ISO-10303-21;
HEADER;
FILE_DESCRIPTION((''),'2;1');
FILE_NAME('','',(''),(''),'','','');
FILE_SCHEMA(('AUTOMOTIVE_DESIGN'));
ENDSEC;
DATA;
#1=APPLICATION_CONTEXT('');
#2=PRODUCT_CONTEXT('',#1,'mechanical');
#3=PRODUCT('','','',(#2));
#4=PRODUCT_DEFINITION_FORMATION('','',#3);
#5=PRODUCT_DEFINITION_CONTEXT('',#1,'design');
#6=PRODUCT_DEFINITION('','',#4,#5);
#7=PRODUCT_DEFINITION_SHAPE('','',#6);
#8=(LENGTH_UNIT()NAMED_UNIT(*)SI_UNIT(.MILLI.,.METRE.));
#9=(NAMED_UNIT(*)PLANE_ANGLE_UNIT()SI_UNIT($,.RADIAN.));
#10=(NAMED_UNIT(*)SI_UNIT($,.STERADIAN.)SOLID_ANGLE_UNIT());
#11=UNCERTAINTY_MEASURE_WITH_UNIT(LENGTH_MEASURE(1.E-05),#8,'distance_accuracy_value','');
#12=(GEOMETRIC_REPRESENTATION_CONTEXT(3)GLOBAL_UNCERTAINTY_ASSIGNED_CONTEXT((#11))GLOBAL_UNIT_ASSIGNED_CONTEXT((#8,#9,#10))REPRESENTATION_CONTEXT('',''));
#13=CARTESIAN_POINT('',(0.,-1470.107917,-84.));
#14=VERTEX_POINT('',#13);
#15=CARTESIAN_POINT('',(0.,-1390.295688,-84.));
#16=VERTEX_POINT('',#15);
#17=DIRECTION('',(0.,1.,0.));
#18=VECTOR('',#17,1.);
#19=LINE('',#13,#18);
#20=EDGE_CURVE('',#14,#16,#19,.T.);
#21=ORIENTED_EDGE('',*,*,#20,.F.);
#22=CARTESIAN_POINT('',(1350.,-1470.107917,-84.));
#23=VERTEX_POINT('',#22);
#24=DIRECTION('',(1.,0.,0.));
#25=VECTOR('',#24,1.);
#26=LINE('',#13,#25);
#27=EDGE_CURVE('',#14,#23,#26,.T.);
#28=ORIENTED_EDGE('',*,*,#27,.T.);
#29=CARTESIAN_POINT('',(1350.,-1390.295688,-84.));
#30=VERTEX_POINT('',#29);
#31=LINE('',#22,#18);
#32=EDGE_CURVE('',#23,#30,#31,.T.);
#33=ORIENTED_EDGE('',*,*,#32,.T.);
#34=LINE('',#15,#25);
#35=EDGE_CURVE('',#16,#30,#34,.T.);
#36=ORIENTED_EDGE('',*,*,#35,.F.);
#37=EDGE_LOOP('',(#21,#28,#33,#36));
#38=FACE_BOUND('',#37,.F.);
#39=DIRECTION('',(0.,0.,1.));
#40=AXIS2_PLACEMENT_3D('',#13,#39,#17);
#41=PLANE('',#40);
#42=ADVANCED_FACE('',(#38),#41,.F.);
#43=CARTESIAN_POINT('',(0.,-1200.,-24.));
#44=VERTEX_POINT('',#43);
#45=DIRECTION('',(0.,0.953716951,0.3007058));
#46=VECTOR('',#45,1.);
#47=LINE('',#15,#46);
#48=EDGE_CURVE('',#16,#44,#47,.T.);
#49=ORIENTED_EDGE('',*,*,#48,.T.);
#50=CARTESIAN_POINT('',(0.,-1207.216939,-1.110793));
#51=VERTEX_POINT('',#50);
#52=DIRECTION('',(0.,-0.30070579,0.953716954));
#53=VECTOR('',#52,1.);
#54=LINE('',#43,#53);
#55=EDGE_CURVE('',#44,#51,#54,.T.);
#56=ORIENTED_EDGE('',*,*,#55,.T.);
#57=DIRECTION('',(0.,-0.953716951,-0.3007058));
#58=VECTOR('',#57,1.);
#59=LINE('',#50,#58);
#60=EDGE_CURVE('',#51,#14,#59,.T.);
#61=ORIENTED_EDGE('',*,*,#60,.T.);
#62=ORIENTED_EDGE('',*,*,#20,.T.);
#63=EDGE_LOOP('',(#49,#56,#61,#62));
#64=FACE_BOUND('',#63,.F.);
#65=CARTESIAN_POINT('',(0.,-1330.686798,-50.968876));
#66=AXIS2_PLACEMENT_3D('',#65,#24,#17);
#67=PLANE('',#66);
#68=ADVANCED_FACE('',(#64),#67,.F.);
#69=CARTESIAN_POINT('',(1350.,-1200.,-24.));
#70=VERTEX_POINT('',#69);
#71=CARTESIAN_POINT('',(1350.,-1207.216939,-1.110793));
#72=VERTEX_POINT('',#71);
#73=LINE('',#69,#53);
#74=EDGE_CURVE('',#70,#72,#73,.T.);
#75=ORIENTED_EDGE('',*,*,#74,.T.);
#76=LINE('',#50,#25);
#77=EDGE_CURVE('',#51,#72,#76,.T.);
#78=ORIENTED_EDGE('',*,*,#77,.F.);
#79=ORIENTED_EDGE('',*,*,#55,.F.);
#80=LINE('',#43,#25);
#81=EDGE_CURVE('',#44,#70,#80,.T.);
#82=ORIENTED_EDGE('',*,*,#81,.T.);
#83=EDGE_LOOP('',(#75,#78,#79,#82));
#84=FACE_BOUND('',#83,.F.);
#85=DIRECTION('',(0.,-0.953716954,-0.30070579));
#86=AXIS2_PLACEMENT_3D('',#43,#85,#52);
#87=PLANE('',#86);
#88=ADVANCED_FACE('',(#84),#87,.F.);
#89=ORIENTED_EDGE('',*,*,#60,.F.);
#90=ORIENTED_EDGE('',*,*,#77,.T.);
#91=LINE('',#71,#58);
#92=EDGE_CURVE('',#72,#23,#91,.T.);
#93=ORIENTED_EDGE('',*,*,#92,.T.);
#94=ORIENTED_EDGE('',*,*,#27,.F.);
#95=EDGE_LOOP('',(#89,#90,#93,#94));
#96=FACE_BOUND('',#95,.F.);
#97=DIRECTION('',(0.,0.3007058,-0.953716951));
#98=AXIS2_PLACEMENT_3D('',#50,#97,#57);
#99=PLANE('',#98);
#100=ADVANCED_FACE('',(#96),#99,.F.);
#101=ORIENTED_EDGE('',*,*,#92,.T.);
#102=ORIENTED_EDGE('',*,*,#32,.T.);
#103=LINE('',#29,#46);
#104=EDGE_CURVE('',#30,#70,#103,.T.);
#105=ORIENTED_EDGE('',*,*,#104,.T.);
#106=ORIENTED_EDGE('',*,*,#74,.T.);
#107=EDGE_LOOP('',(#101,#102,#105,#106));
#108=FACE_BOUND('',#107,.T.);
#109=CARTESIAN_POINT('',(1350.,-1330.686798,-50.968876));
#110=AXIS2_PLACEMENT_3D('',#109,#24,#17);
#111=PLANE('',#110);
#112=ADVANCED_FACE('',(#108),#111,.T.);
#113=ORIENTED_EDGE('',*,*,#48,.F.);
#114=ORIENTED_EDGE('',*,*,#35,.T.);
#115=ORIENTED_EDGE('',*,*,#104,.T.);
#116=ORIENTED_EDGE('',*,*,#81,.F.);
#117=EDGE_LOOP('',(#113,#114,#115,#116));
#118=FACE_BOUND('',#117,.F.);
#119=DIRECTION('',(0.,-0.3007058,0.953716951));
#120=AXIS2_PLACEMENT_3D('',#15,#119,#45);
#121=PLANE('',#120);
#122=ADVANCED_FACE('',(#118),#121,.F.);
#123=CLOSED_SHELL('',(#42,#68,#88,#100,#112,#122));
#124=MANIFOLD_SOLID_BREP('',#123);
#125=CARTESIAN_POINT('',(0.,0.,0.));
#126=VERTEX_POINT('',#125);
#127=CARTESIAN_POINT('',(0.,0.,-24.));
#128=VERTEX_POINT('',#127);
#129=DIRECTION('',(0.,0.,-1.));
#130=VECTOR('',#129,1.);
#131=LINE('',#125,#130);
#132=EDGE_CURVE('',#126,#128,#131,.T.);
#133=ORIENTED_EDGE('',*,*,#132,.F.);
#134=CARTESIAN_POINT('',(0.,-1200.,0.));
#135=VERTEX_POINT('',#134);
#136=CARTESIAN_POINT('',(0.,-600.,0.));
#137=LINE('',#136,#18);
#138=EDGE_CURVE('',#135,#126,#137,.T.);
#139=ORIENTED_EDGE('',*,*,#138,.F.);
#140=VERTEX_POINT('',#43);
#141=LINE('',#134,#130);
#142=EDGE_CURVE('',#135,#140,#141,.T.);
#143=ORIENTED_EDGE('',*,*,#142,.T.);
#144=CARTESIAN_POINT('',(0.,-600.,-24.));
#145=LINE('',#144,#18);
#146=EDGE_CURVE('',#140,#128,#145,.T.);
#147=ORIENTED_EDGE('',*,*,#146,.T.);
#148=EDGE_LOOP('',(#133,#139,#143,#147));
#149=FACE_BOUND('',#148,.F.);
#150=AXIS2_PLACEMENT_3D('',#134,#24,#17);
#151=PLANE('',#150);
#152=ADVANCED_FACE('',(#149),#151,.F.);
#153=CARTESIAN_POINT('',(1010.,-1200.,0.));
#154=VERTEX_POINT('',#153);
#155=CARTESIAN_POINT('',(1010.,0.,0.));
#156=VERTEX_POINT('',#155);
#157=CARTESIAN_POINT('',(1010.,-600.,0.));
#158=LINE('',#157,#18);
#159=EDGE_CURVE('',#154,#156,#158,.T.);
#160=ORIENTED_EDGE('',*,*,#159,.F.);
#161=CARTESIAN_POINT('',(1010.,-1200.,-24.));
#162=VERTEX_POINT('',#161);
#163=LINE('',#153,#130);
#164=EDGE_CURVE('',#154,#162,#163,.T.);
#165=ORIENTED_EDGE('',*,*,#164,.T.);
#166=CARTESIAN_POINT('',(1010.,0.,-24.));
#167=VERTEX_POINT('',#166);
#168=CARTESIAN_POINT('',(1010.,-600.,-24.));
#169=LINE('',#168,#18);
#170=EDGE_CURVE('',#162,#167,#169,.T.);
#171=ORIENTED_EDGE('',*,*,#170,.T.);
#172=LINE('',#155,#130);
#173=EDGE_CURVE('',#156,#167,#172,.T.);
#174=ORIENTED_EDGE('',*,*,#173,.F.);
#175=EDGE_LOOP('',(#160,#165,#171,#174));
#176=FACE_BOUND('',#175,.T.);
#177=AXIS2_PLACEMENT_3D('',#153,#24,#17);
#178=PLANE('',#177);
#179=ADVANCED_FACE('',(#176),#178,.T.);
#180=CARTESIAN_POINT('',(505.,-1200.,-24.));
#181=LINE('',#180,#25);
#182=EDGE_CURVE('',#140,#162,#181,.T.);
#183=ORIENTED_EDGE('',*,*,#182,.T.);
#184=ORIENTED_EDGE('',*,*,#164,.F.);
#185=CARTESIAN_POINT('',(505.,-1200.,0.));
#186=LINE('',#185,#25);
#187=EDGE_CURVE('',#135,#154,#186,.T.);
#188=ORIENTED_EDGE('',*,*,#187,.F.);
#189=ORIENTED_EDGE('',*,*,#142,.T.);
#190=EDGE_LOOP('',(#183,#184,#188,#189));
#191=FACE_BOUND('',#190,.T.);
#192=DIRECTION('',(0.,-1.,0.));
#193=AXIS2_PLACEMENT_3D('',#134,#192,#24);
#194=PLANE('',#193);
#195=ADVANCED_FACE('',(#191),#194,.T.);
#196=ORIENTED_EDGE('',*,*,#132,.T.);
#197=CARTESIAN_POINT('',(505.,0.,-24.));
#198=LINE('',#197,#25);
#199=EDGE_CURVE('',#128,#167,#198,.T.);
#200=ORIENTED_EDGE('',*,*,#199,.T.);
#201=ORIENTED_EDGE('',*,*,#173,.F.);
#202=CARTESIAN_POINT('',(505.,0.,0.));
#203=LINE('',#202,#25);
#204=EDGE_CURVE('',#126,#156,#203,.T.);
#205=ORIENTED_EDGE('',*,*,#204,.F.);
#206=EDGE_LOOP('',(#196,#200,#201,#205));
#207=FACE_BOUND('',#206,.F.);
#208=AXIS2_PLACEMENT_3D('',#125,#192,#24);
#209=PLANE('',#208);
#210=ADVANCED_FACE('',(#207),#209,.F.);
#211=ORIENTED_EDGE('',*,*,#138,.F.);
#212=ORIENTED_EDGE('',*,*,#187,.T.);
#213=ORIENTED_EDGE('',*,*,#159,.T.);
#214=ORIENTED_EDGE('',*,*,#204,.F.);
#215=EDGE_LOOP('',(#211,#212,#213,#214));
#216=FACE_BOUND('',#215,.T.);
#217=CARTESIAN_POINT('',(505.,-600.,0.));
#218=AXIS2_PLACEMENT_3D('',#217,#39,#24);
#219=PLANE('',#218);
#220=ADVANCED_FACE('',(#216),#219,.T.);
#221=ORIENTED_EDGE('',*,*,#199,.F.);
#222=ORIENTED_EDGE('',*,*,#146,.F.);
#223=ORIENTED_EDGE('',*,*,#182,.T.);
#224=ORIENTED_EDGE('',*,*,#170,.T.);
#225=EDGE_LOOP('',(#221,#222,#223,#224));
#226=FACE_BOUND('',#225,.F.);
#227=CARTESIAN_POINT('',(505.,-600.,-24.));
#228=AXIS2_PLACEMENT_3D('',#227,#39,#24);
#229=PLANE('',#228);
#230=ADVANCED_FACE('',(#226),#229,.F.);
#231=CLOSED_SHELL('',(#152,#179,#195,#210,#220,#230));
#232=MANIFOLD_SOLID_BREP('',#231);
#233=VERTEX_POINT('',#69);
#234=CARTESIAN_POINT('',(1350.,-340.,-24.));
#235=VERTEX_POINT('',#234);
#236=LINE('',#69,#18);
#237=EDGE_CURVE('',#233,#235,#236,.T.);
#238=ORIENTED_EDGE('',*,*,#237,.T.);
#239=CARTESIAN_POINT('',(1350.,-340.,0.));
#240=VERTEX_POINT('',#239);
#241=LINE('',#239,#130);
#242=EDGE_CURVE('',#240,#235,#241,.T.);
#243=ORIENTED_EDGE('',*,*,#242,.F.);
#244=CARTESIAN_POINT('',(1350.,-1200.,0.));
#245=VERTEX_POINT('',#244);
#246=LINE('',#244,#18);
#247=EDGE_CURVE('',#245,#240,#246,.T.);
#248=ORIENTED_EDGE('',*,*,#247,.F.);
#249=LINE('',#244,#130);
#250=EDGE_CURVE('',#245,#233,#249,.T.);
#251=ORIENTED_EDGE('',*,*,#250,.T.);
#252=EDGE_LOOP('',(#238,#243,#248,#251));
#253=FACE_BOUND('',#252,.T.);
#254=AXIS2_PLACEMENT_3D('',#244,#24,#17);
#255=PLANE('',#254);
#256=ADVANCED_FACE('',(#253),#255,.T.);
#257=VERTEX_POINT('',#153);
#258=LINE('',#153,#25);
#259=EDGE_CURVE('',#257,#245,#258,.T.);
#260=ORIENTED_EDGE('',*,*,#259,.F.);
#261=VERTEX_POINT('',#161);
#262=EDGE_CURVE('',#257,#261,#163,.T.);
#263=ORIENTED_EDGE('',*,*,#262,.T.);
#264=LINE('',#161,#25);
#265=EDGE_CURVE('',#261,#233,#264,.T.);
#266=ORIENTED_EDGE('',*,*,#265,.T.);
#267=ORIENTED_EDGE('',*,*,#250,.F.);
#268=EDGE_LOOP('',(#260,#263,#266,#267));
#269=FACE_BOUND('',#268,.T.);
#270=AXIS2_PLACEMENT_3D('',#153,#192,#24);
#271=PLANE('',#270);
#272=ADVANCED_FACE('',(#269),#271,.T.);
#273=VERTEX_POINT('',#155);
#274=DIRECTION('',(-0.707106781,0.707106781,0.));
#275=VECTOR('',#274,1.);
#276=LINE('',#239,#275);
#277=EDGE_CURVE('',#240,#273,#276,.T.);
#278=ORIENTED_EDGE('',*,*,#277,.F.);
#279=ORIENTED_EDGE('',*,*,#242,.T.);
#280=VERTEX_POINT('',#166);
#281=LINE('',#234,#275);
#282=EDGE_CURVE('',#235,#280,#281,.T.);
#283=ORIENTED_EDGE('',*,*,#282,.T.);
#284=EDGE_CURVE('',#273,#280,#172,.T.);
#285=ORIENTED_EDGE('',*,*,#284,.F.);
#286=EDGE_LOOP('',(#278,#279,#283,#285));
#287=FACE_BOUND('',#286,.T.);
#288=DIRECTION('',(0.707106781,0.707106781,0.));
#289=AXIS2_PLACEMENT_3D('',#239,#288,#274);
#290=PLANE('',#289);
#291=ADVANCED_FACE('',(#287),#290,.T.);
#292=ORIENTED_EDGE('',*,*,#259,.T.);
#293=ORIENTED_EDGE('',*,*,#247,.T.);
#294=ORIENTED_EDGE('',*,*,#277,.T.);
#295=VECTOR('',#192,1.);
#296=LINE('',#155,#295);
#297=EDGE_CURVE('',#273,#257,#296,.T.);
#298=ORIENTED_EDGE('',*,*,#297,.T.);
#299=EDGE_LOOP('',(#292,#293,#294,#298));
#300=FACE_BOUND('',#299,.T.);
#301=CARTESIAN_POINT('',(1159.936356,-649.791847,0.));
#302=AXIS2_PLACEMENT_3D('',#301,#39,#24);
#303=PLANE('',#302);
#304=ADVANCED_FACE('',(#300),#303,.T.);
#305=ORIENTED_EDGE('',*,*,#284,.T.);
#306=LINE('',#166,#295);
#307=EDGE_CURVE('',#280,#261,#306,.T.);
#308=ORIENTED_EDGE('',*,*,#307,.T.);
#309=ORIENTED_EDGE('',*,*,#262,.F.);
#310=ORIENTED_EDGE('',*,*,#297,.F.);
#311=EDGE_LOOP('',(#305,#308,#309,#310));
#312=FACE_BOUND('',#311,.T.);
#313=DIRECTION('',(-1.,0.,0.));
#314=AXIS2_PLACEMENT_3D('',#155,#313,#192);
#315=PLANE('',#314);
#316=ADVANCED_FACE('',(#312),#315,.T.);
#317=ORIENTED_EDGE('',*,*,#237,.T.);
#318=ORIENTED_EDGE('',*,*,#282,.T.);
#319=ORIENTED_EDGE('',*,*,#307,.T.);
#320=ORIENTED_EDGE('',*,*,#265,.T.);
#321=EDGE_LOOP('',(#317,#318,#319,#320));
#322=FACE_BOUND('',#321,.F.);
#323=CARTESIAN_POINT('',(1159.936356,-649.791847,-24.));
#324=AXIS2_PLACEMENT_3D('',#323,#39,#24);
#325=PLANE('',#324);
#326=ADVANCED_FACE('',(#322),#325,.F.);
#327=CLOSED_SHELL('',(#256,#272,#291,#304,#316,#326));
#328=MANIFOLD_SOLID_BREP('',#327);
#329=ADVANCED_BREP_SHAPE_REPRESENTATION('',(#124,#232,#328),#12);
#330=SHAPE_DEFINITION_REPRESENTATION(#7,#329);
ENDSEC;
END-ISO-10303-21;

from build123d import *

# Parameters (mm, degrees)
F0_W     = 1010
F0_H     = 1200
F1_DEPTH = 24
F3_DEPTH = 1350
F5_DEPTH = 24


with BuildPart() as f1:
    # F0 (on Top) → F1 (new body)
    with BuildSketch(Plane.XY):
        with Locations((505, -600)):
            Rectangle(F0_W, F0_H)
    extrude(amount=-F1_DEPTH)


with BuildPart() as f3:
    # F2 (on Right) → F3 (new body)
    with BuildSketch(Plane.YZ):
        Polygon((-1390.295688, -84), (-1200, -24), (-1207.216939, -1.110793), (-1470.107917, -84), align=None)
    extrude(amount=F3_DEPTH)


with BuildPart() as f5:
    # F4 (on Top) → F5 (new body)
    with BuildSketch(Plane.XY):
        Polygon((1350, -340), (1010, 0), (1010, -1200), (1350, -1200), align=None)
    extrude(amount=-F5_DEPTH)


solid = Compound([f1.part, f3.part, f5.part])
